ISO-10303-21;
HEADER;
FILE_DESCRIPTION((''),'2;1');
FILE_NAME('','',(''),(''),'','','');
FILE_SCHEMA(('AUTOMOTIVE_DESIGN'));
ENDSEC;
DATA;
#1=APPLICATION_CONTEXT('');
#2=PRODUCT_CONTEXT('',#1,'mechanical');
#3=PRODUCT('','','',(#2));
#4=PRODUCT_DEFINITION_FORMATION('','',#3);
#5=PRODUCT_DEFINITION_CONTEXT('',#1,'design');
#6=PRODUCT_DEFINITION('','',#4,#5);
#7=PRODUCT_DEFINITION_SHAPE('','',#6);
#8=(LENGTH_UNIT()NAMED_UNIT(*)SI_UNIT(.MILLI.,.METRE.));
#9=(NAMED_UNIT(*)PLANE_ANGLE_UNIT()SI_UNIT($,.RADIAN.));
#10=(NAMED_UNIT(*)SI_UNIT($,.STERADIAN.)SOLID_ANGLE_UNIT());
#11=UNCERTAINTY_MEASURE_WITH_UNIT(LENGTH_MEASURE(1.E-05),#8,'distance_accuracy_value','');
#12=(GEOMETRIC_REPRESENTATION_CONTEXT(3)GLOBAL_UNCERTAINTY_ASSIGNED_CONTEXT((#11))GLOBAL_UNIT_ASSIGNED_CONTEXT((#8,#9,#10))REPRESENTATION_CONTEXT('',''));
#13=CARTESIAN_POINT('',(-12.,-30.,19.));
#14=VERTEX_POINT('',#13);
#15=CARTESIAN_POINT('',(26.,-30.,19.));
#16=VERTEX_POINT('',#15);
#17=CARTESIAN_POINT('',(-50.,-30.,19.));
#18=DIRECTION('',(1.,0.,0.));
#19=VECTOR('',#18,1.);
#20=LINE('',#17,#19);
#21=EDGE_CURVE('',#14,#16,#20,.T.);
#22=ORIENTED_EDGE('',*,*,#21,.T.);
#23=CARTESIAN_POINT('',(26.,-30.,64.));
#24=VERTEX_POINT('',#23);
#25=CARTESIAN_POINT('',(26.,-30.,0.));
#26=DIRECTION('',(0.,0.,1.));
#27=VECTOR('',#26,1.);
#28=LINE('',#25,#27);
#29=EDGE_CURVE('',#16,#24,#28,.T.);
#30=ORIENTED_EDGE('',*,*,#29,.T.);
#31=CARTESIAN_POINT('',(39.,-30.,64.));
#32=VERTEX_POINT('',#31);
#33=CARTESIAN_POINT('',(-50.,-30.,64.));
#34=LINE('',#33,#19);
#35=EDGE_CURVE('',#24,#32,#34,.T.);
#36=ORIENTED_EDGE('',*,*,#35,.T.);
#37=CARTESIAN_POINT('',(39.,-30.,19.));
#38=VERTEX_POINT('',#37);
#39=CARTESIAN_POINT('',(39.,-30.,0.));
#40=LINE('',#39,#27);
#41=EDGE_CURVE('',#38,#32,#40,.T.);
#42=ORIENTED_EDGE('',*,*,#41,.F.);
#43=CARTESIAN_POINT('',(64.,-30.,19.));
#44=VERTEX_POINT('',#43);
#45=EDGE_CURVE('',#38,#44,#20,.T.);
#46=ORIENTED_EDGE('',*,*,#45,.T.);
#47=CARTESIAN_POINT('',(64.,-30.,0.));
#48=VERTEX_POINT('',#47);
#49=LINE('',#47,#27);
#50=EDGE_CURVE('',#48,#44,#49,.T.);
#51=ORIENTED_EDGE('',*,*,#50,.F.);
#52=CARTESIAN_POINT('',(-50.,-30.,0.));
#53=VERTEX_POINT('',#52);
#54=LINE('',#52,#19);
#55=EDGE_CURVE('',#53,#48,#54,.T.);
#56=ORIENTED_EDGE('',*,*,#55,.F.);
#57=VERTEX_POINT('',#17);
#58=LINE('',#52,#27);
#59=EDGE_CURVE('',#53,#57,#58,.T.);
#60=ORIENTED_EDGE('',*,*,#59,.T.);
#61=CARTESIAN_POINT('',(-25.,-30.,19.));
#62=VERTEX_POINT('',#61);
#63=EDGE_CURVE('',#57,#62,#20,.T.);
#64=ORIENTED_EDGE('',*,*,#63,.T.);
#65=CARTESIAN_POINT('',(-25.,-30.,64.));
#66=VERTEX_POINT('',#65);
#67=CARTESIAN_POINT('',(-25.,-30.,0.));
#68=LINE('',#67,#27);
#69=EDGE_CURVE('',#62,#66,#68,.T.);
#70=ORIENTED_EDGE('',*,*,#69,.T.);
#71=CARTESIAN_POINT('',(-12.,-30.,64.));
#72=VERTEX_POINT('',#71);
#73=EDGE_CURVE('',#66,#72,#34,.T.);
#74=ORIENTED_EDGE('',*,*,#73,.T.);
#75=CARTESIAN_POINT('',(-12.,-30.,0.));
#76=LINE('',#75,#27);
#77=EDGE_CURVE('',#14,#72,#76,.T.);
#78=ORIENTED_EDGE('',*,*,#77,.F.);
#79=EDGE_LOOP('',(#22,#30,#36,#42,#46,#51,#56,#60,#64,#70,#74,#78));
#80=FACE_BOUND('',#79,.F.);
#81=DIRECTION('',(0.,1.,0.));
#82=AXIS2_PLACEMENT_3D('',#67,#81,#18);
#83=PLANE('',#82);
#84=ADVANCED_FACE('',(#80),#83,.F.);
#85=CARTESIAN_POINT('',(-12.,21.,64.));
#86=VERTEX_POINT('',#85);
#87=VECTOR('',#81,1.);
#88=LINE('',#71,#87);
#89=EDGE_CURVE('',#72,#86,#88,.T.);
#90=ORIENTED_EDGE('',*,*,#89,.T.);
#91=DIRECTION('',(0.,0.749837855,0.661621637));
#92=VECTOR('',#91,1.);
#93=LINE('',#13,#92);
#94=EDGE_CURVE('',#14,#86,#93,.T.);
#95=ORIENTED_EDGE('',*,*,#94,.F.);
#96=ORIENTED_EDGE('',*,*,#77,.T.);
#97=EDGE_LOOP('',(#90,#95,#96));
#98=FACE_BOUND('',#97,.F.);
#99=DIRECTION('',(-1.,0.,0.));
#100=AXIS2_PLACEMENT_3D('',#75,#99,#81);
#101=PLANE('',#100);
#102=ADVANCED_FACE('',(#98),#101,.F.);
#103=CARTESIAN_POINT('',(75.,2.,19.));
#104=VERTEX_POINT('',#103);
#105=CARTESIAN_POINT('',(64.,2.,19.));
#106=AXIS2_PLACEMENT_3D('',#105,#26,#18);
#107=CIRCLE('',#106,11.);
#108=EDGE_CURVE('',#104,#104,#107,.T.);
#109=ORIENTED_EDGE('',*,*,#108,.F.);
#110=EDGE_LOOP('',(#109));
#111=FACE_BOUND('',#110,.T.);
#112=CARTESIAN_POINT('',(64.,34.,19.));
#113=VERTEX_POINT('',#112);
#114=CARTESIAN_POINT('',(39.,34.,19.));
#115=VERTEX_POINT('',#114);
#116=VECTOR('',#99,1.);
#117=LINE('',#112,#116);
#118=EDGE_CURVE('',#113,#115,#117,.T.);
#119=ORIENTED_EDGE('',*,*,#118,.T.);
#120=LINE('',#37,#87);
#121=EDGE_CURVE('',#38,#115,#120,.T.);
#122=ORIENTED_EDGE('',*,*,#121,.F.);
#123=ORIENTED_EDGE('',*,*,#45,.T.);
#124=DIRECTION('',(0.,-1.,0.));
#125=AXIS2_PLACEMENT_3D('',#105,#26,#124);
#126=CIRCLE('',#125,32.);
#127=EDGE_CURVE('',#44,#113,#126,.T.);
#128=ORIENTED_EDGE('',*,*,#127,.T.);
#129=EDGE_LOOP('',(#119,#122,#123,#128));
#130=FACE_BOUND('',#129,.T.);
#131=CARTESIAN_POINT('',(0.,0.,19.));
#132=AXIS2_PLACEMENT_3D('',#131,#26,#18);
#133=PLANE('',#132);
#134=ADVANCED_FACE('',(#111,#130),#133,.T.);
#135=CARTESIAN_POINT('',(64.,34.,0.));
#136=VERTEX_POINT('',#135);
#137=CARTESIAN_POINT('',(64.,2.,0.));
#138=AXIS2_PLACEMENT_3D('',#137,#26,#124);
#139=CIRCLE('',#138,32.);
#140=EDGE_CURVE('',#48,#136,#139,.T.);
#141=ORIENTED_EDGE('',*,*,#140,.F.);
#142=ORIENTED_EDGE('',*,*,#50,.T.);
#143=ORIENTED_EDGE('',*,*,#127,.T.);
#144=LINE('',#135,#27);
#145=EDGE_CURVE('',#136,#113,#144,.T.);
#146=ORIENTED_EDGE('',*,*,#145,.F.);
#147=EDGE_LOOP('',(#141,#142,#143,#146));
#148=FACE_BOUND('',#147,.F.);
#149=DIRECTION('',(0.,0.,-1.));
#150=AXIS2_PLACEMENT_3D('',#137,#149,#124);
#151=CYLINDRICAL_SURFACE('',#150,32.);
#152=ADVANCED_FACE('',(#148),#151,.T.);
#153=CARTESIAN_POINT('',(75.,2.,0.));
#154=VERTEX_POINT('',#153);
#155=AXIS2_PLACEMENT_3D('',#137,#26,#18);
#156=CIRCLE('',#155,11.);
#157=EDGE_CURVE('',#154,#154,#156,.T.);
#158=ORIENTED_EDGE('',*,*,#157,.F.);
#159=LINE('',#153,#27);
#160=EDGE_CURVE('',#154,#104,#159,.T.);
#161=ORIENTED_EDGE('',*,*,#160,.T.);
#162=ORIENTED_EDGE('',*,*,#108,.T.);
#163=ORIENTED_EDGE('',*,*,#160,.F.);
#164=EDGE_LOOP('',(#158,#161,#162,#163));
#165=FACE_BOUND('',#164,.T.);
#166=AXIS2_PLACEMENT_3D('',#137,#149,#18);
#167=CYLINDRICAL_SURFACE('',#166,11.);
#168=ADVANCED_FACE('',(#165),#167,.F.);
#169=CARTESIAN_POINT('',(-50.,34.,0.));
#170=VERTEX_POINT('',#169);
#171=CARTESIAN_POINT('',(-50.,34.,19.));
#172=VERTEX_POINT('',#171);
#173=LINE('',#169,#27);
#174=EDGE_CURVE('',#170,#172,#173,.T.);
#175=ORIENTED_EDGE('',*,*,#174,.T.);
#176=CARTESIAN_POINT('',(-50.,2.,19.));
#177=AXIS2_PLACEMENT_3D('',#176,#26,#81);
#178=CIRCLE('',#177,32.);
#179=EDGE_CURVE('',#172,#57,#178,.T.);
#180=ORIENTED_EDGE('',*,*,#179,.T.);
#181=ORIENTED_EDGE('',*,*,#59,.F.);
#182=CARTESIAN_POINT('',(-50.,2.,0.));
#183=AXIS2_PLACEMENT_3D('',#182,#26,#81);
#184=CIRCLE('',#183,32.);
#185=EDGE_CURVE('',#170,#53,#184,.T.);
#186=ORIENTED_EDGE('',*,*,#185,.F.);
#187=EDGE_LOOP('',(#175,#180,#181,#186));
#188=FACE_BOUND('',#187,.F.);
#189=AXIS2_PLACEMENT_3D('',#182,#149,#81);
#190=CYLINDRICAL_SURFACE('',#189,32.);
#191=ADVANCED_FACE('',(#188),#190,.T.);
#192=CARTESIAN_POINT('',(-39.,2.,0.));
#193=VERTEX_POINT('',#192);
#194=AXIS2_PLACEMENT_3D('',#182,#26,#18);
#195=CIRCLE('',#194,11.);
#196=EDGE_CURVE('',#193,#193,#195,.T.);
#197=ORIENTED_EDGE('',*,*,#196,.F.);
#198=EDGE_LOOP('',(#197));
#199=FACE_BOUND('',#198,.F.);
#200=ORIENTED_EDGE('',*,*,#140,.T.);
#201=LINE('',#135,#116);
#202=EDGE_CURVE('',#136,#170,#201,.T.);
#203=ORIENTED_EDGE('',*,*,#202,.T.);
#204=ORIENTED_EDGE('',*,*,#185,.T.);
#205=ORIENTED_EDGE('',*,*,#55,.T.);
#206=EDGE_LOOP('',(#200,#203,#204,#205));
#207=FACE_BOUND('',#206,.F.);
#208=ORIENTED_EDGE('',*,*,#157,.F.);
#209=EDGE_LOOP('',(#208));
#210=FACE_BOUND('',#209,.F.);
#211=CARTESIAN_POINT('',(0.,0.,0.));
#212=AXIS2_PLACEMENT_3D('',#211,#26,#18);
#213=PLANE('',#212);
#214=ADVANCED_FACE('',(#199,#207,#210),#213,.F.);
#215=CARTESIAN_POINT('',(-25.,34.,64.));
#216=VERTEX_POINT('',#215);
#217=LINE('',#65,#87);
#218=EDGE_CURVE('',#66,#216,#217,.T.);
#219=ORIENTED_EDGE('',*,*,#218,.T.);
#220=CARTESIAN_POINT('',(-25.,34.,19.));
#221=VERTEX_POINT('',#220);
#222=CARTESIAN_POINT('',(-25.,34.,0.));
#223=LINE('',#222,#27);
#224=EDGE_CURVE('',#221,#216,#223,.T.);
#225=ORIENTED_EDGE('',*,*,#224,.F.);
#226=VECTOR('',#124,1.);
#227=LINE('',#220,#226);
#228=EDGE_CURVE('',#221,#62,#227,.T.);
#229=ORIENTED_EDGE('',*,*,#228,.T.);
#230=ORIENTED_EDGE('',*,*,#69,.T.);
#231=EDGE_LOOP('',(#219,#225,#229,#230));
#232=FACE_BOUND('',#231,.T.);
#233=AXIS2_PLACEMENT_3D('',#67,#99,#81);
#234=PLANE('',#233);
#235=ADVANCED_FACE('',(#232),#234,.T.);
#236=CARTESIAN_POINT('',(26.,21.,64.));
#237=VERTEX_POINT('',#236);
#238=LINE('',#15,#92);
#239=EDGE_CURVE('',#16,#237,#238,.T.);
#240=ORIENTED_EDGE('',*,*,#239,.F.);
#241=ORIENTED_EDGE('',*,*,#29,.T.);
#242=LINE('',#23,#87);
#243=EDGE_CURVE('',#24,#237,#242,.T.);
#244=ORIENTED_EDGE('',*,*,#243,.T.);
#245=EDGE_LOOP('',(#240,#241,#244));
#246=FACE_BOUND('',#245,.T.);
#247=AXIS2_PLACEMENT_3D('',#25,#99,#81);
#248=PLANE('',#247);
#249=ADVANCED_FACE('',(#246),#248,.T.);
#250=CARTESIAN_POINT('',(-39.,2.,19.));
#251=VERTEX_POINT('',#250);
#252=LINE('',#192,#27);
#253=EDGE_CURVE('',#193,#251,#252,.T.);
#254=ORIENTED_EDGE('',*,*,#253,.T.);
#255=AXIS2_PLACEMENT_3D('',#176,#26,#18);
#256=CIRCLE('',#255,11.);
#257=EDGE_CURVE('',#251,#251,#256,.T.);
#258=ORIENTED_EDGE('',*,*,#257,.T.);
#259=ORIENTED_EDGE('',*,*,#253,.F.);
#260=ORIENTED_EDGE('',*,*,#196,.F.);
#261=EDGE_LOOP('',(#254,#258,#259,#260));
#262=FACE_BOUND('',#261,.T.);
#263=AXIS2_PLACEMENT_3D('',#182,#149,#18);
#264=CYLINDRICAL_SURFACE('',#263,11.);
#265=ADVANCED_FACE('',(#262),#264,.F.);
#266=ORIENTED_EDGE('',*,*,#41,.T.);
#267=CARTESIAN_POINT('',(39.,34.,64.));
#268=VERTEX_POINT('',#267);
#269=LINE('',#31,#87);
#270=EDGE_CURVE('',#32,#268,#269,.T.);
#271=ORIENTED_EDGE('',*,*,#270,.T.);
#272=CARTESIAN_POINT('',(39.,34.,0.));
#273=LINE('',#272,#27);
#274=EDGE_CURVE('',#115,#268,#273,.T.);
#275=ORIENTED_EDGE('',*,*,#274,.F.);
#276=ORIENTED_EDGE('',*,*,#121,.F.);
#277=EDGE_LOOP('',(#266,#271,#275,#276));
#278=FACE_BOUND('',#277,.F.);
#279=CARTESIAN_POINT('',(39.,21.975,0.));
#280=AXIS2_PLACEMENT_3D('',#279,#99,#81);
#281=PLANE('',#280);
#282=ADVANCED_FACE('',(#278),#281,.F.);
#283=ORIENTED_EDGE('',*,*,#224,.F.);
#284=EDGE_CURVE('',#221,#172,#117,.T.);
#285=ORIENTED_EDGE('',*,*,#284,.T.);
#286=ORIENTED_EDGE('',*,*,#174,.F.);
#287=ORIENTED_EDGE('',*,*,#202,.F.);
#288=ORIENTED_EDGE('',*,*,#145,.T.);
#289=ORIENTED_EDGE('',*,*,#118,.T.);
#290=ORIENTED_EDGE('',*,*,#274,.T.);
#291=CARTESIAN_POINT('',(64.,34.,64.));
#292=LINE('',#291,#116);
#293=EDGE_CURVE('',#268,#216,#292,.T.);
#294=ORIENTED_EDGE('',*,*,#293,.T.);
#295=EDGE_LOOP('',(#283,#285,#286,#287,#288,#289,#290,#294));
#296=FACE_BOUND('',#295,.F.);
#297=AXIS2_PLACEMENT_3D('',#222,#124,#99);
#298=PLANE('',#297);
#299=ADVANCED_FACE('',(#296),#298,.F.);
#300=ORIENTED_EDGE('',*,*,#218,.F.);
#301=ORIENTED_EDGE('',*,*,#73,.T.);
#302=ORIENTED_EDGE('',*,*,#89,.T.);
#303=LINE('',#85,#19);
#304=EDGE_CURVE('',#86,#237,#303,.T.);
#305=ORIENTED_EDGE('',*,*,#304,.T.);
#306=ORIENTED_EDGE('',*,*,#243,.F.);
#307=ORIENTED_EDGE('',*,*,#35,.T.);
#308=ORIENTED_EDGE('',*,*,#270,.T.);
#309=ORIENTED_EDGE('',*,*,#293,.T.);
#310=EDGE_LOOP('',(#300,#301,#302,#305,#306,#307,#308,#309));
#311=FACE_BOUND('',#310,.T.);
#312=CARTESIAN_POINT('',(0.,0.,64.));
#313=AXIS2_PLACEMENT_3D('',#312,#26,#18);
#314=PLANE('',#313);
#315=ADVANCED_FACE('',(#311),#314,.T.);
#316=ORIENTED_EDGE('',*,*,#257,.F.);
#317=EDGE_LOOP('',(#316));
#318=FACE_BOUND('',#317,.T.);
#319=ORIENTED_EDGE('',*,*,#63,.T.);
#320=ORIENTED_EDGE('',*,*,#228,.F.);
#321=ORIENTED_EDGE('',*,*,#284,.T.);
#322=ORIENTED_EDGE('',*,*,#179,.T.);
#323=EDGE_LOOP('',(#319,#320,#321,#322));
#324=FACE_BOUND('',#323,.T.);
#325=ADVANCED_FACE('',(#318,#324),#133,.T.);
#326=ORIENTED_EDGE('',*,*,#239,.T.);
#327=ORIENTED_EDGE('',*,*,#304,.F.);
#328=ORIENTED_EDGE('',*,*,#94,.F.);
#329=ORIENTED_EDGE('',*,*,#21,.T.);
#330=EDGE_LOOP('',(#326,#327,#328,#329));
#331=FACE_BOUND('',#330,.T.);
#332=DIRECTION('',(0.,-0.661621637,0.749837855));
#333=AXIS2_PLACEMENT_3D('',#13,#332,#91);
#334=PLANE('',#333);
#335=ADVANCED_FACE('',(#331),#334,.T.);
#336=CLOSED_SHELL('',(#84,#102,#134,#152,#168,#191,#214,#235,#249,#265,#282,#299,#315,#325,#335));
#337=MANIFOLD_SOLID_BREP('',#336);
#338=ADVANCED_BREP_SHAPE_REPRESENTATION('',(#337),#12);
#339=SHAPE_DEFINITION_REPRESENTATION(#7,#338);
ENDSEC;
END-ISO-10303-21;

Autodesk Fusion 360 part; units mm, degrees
sketch "Sketch1" plane through (0, 0, 0) normal (0, 0, 1) x (1, 0, 0)
  line L0 (-50, -30) -> (64, -30)
  line L1 (64, 34) -> (-50, 34)
  line L2 (-25, -30) -> (-25, 34)
  line L3 (39, -30) -> (39, 34)
  line L4 (-12, -30) -> (-12, 21)
  line L5 (26, -30) -> (26, 21)
  circle A0 centre (64, 2) radius 11
  circle A1 centre (-50, 2) radius 11
  line L6 (38.2512, 21) -> (39, 21) construction
  line L7 (-25, 21) -> (-24.2512, 21) construction
  line L8 (-12, 21) -> (26, 21)
  arc A2 (64, -30) -> (64, 34) centre (64, 2) ccw
  arc A3 (39, 21.975) -> (38.2512, 21) centre (64, 2) ccw
  arc A4 (-24.2512, 21) -> (-25, 21.975) centre (-50, 2) ccw
  arc A5 (-50, 34) -> (-50, -30) centre (-50, 2) ccw
  dimension "d1" = 114
  dimension "d2" = 64
  dimension "d3" = 64
  dimension "d5" = 13
  dimension "d6" = 13
  dimension "d7" = 13
  dimension "d8" = 32
  dimension "d9" = 32
  dimension "d10" = 22
  dimension "d11" = 22
extrude "Extrude1" add sketch "Sketch1" along normal blind 64 contours L0 L1 L2 L3 L4 L5 L8
extrude "Extrude2" add sketch "Sketch1" along normal blind 19 contours L0 L1 L2 A5 | L0 L4 L5 L8 | L0 L1 L3 A2
sketch "Sketch3" plane through (-12, 0, 0) normal (1, 0, 0) x (0, 1, 0)
  line L0 (-30, 19) -> (21, 19)
  line L1 (21, 19) -> (21, 64)
  line L2 (21, 64) -> (-30, 64)
  line L3 (-30, 64) -> (-30, 19)
  line L4 (-30, 19) -> (21, 64)
  line L5 (21, 64) -> (21, 19)
  line L6 (-30, 19) -> (21, 19)
extrude "Extrude3" add sketch "Sketch3" along normal blind 38 contours L0 L1 L4 L5 L6
